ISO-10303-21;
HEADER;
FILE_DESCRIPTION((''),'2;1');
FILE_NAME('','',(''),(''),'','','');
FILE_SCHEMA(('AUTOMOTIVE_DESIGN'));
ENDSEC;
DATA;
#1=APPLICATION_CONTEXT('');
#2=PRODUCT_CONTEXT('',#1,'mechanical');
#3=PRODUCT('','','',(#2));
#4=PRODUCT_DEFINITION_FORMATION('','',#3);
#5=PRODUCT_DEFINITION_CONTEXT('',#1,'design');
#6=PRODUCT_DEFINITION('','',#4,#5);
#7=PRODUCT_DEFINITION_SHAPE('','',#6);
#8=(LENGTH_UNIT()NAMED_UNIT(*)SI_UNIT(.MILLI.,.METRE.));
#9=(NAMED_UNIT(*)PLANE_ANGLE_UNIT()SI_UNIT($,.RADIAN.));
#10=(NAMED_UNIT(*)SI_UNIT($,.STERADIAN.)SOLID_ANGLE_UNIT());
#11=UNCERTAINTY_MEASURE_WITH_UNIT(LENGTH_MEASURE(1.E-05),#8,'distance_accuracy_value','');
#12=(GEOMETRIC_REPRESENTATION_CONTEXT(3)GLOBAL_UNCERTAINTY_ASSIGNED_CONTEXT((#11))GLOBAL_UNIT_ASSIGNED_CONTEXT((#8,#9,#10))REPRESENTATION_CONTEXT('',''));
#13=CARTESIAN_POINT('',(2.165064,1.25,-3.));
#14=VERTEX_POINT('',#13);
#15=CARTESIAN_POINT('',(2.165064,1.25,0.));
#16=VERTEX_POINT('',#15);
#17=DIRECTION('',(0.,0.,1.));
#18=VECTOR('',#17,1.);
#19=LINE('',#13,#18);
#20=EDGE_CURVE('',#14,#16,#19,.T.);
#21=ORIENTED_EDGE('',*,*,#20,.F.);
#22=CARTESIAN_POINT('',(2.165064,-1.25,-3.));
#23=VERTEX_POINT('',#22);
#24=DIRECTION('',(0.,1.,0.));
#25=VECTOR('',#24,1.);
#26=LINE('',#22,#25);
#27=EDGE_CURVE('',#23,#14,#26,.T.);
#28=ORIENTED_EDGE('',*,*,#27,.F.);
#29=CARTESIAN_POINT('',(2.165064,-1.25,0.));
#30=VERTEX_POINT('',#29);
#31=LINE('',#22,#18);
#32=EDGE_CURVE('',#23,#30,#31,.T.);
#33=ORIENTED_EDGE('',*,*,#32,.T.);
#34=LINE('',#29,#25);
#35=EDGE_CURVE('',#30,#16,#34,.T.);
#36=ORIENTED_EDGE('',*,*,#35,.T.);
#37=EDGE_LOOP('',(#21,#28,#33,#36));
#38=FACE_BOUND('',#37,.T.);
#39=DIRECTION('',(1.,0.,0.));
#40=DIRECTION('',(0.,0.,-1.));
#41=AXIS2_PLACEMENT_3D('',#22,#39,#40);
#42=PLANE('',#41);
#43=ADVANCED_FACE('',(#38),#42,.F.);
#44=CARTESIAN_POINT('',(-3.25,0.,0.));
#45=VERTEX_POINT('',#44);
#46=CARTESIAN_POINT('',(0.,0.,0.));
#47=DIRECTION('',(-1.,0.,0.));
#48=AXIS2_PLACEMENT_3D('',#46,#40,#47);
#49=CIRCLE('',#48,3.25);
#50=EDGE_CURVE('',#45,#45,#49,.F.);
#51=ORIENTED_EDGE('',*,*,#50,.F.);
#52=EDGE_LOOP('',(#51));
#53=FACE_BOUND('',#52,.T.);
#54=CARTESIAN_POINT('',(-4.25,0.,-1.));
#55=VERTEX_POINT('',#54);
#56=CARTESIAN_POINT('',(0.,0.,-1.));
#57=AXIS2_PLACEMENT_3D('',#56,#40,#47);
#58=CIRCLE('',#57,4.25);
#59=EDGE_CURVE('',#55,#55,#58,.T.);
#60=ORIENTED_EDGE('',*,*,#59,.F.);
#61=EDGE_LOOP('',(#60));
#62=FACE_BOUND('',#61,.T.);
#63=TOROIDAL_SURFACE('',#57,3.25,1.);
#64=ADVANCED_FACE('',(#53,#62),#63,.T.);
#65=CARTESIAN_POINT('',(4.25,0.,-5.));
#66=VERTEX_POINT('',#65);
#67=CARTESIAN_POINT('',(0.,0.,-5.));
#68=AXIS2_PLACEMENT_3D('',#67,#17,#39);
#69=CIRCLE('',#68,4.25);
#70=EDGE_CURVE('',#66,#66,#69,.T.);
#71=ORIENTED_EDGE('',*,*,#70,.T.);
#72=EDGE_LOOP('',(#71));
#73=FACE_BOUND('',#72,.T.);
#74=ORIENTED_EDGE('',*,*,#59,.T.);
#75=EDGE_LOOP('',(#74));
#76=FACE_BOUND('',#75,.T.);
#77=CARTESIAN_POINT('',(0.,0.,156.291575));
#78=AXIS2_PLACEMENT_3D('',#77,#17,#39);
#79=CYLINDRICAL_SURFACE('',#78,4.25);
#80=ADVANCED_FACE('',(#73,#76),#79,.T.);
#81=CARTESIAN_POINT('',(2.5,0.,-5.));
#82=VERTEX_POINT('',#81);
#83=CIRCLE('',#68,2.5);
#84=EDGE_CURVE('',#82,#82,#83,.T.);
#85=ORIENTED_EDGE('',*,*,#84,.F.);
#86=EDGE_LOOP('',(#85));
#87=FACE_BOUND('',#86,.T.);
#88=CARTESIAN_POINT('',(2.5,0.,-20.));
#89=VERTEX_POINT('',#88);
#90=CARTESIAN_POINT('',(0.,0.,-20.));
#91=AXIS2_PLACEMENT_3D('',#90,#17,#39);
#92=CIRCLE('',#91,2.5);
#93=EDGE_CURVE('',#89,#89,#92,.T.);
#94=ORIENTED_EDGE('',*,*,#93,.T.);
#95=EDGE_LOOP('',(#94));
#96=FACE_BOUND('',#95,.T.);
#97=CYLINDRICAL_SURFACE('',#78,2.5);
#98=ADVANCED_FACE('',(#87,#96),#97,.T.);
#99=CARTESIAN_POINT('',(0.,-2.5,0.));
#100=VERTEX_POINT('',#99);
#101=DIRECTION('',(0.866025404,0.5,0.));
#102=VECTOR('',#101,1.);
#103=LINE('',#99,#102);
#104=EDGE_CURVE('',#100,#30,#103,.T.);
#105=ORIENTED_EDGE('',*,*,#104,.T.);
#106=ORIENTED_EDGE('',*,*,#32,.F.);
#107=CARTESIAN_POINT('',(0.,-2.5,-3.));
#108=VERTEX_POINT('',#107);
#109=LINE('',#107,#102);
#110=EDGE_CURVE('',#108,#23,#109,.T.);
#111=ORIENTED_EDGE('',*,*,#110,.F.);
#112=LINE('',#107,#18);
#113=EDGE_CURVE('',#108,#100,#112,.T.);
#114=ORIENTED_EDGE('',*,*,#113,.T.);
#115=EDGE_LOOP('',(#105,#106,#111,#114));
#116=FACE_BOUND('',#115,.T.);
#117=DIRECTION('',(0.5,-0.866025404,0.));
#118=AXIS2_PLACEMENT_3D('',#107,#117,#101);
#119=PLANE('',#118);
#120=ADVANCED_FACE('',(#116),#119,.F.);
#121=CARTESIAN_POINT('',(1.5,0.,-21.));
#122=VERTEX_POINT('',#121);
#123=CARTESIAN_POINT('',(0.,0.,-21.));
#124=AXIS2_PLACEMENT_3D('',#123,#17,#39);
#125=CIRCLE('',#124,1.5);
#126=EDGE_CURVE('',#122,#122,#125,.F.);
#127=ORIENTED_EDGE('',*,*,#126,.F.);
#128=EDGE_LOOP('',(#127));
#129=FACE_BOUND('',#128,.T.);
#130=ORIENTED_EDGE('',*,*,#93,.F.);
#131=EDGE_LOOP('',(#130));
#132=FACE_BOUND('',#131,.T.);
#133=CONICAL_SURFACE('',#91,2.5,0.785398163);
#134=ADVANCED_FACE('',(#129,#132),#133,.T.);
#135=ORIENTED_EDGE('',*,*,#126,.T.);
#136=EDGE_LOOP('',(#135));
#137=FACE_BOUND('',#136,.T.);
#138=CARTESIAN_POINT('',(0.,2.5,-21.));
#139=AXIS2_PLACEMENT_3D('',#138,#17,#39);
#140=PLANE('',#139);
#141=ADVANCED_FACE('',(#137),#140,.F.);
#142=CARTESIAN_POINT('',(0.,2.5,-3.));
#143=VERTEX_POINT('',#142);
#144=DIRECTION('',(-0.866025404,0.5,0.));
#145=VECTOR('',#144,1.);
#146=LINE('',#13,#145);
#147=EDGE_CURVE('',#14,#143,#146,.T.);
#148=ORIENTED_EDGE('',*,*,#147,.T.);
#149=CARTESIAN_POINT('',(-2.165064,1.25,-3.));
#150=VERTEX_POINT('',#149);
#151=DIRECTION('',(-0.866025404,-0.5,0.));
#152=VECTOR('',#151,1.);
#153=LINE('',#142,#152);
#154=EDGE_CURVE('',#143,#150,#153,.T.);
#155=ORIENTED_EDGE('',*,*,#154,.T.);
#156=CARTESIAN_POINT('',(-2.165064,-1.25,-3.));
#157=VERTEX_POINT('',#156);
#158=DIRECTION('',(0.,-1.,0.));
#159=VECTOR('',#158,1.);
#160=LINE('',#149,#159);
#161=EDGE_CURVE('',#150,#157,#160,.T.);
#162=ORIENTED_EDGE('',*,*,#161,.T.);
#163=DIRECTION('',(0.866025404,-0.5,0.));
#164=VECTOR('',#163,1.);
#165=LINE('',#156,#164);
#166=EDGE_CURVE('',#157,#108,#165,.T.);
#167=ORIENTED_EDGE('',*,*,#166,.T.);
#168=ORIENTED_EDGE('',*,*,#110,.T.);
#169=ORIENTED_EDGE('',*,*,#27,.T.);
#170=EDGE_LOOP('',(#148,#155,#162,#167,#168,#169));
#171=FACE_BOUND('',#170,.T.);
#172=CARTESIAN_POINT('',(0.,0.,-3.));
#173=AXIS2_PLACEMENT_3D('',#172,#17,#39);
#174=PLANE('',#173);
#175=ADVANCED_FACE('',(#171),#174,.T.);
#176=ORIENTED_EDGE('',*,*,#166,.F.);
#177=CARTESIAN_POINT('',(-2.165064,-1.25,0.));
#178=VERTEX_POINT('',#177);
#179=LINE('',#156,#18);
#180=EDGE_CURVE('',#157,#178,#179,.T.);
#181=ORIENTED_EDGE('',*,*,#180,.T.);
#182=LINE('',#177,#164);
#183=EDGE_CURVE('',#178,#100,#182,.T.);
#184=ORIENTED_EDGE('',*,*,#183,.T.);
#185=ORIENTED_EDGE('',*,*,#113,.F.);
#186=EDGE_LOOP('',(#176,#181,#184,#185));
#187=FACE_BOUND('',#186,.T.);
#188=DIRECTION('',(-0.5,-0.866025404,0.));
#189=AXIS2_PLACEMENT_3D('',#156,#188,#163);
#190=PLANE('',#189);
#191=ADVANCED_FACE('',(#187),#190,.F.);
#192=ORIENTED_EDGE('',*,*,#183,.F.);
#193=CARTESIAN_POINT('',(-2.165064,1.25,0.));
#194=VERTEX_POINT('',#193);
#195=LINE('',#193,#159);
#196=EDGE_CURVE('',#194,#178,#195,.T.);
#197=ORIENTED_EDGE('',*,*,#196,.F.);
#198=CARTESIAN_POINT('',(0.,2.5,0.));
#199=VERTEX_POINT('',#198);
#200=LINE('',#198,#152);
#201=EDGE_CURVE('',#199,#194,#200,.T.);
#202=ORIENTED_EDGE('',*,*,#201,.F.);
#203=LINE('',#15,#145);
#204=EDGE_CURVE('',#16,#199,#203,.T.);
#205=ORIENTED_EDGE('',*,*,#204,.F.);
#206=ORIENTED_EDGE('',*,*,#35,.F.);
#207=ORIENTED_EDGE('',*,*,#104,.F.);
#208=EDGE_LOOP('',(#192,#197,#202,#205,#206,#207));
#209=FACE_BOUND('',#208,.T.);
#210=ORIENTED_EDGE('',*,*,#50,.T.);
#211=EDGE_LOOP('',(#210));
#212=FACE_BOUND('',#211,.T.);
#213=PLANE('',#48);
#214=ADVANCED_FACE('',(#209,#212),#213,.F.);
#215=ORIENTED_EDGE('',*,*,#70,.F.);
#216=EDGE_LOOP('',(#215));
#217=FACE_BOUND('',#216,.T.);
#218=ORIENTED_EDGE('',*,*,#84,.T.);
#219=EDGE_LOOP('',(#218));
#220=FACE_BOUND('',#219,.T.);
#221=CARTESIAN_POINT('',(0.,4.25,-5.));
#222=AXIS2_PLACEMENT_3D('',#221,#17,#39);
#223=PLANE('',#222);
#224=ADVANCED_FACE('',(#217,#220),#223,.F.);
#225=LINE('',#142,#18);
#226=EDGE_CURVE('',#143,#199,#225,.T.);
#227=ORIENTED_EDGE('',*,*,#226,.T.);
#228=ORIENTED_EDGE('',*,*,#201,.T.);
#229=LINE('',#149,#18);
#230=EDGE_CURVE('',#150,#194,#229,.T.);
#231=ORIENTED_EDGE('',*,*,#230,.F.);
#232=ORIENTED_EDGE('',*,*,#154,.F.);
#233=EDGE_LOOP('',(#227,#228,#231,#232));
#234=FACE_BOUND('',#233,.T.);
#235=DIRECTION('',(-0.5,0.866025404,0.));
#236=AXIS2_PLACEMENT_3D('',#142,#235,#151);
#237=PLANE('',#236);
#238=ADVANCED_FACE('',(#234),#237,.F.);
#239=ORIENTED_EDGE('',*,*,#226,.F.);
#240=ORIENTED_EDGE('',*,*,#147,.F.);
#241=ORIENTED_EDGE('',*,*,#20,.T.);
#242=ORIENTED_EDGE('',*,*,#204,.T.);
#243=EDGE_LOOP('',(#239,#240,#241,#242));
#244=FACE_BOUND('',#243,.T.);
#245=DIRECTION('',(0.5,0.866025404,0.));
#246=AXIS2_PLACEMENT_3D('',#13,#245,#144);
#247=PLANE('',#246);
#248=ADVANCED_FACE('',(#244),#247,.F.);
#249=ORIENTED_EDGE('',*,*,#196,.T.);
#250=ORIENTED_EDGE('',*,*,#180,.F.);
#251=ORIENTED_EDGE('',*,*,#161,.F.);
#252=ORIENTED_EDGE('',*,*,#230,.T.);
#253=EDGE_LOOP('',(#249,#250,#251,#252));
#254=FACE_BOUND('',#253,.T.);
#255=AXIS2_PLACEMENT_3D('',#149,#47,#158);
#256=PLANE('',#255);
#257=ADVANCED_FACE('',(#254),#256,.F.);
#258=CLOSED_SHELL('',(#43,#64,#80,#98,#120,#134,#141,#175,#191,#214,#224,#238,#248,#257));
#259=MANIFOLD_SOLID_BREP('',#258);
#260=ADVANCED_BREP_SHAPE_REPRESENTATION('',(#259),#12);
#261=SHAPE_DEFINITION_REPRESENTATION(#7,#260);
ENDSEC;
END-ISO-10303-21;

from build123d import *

# Parameters (mm, degrees)
FOOTPRINT_DEPTH = 3
CHAMFER1_SIZE   = 1
FILLET1_R       = 1


with BuildPart() as part:
    # Sketch1 → Body (revolve)
    with BuildSketch(Plane(origin=(0, 0, 0), x_dir=(0, 0, -1), z_dir=(1, 0, 0)), mode=Mode.PRIVATE) as body_sk:
        Polygon((0, 0), (0, 4.25), (5, 4.25), (5, 2.5), (21, 2.5), (21, 0), align=None)
    revolve(body_sk.sketch.rotate(Axis((0, 0, 156.291575099), (0, 0, -1)), 90), axis=Axis((0, 0, 156.291575099), (0, 0, -1)))

    # Sketch2 → Footprint (cut)
    with BuildSketch(Plane.XY):
        Polygon((0, 2.5), (-2.165063509, 1.25), (-2.165063509, -1.25), (0, -2.5), (2.165063509, -1.25), (2.165063509, 1.25), align=None)
    extrude(amount=-FOOTPRINT_DEPTH, mode=Mode.SUBTRACT)

    # Chamfer1
    chamfer1_edges = [part.edges().sort_by_distance(p)[0] for p in [
        (-2.5, 0, -21),
    ]]
    chamfer(chamfer1_edges, length=CHAMFER1_SIZE)

    # Fillet1
    fillet1_edges = [part.edges().sort_by_distance(p)[0] for p in [
        (-4.25, 0, 0),
    ]]
    fillet(fillet1_edges, radius=FILLET1_R)


solid = part.part
